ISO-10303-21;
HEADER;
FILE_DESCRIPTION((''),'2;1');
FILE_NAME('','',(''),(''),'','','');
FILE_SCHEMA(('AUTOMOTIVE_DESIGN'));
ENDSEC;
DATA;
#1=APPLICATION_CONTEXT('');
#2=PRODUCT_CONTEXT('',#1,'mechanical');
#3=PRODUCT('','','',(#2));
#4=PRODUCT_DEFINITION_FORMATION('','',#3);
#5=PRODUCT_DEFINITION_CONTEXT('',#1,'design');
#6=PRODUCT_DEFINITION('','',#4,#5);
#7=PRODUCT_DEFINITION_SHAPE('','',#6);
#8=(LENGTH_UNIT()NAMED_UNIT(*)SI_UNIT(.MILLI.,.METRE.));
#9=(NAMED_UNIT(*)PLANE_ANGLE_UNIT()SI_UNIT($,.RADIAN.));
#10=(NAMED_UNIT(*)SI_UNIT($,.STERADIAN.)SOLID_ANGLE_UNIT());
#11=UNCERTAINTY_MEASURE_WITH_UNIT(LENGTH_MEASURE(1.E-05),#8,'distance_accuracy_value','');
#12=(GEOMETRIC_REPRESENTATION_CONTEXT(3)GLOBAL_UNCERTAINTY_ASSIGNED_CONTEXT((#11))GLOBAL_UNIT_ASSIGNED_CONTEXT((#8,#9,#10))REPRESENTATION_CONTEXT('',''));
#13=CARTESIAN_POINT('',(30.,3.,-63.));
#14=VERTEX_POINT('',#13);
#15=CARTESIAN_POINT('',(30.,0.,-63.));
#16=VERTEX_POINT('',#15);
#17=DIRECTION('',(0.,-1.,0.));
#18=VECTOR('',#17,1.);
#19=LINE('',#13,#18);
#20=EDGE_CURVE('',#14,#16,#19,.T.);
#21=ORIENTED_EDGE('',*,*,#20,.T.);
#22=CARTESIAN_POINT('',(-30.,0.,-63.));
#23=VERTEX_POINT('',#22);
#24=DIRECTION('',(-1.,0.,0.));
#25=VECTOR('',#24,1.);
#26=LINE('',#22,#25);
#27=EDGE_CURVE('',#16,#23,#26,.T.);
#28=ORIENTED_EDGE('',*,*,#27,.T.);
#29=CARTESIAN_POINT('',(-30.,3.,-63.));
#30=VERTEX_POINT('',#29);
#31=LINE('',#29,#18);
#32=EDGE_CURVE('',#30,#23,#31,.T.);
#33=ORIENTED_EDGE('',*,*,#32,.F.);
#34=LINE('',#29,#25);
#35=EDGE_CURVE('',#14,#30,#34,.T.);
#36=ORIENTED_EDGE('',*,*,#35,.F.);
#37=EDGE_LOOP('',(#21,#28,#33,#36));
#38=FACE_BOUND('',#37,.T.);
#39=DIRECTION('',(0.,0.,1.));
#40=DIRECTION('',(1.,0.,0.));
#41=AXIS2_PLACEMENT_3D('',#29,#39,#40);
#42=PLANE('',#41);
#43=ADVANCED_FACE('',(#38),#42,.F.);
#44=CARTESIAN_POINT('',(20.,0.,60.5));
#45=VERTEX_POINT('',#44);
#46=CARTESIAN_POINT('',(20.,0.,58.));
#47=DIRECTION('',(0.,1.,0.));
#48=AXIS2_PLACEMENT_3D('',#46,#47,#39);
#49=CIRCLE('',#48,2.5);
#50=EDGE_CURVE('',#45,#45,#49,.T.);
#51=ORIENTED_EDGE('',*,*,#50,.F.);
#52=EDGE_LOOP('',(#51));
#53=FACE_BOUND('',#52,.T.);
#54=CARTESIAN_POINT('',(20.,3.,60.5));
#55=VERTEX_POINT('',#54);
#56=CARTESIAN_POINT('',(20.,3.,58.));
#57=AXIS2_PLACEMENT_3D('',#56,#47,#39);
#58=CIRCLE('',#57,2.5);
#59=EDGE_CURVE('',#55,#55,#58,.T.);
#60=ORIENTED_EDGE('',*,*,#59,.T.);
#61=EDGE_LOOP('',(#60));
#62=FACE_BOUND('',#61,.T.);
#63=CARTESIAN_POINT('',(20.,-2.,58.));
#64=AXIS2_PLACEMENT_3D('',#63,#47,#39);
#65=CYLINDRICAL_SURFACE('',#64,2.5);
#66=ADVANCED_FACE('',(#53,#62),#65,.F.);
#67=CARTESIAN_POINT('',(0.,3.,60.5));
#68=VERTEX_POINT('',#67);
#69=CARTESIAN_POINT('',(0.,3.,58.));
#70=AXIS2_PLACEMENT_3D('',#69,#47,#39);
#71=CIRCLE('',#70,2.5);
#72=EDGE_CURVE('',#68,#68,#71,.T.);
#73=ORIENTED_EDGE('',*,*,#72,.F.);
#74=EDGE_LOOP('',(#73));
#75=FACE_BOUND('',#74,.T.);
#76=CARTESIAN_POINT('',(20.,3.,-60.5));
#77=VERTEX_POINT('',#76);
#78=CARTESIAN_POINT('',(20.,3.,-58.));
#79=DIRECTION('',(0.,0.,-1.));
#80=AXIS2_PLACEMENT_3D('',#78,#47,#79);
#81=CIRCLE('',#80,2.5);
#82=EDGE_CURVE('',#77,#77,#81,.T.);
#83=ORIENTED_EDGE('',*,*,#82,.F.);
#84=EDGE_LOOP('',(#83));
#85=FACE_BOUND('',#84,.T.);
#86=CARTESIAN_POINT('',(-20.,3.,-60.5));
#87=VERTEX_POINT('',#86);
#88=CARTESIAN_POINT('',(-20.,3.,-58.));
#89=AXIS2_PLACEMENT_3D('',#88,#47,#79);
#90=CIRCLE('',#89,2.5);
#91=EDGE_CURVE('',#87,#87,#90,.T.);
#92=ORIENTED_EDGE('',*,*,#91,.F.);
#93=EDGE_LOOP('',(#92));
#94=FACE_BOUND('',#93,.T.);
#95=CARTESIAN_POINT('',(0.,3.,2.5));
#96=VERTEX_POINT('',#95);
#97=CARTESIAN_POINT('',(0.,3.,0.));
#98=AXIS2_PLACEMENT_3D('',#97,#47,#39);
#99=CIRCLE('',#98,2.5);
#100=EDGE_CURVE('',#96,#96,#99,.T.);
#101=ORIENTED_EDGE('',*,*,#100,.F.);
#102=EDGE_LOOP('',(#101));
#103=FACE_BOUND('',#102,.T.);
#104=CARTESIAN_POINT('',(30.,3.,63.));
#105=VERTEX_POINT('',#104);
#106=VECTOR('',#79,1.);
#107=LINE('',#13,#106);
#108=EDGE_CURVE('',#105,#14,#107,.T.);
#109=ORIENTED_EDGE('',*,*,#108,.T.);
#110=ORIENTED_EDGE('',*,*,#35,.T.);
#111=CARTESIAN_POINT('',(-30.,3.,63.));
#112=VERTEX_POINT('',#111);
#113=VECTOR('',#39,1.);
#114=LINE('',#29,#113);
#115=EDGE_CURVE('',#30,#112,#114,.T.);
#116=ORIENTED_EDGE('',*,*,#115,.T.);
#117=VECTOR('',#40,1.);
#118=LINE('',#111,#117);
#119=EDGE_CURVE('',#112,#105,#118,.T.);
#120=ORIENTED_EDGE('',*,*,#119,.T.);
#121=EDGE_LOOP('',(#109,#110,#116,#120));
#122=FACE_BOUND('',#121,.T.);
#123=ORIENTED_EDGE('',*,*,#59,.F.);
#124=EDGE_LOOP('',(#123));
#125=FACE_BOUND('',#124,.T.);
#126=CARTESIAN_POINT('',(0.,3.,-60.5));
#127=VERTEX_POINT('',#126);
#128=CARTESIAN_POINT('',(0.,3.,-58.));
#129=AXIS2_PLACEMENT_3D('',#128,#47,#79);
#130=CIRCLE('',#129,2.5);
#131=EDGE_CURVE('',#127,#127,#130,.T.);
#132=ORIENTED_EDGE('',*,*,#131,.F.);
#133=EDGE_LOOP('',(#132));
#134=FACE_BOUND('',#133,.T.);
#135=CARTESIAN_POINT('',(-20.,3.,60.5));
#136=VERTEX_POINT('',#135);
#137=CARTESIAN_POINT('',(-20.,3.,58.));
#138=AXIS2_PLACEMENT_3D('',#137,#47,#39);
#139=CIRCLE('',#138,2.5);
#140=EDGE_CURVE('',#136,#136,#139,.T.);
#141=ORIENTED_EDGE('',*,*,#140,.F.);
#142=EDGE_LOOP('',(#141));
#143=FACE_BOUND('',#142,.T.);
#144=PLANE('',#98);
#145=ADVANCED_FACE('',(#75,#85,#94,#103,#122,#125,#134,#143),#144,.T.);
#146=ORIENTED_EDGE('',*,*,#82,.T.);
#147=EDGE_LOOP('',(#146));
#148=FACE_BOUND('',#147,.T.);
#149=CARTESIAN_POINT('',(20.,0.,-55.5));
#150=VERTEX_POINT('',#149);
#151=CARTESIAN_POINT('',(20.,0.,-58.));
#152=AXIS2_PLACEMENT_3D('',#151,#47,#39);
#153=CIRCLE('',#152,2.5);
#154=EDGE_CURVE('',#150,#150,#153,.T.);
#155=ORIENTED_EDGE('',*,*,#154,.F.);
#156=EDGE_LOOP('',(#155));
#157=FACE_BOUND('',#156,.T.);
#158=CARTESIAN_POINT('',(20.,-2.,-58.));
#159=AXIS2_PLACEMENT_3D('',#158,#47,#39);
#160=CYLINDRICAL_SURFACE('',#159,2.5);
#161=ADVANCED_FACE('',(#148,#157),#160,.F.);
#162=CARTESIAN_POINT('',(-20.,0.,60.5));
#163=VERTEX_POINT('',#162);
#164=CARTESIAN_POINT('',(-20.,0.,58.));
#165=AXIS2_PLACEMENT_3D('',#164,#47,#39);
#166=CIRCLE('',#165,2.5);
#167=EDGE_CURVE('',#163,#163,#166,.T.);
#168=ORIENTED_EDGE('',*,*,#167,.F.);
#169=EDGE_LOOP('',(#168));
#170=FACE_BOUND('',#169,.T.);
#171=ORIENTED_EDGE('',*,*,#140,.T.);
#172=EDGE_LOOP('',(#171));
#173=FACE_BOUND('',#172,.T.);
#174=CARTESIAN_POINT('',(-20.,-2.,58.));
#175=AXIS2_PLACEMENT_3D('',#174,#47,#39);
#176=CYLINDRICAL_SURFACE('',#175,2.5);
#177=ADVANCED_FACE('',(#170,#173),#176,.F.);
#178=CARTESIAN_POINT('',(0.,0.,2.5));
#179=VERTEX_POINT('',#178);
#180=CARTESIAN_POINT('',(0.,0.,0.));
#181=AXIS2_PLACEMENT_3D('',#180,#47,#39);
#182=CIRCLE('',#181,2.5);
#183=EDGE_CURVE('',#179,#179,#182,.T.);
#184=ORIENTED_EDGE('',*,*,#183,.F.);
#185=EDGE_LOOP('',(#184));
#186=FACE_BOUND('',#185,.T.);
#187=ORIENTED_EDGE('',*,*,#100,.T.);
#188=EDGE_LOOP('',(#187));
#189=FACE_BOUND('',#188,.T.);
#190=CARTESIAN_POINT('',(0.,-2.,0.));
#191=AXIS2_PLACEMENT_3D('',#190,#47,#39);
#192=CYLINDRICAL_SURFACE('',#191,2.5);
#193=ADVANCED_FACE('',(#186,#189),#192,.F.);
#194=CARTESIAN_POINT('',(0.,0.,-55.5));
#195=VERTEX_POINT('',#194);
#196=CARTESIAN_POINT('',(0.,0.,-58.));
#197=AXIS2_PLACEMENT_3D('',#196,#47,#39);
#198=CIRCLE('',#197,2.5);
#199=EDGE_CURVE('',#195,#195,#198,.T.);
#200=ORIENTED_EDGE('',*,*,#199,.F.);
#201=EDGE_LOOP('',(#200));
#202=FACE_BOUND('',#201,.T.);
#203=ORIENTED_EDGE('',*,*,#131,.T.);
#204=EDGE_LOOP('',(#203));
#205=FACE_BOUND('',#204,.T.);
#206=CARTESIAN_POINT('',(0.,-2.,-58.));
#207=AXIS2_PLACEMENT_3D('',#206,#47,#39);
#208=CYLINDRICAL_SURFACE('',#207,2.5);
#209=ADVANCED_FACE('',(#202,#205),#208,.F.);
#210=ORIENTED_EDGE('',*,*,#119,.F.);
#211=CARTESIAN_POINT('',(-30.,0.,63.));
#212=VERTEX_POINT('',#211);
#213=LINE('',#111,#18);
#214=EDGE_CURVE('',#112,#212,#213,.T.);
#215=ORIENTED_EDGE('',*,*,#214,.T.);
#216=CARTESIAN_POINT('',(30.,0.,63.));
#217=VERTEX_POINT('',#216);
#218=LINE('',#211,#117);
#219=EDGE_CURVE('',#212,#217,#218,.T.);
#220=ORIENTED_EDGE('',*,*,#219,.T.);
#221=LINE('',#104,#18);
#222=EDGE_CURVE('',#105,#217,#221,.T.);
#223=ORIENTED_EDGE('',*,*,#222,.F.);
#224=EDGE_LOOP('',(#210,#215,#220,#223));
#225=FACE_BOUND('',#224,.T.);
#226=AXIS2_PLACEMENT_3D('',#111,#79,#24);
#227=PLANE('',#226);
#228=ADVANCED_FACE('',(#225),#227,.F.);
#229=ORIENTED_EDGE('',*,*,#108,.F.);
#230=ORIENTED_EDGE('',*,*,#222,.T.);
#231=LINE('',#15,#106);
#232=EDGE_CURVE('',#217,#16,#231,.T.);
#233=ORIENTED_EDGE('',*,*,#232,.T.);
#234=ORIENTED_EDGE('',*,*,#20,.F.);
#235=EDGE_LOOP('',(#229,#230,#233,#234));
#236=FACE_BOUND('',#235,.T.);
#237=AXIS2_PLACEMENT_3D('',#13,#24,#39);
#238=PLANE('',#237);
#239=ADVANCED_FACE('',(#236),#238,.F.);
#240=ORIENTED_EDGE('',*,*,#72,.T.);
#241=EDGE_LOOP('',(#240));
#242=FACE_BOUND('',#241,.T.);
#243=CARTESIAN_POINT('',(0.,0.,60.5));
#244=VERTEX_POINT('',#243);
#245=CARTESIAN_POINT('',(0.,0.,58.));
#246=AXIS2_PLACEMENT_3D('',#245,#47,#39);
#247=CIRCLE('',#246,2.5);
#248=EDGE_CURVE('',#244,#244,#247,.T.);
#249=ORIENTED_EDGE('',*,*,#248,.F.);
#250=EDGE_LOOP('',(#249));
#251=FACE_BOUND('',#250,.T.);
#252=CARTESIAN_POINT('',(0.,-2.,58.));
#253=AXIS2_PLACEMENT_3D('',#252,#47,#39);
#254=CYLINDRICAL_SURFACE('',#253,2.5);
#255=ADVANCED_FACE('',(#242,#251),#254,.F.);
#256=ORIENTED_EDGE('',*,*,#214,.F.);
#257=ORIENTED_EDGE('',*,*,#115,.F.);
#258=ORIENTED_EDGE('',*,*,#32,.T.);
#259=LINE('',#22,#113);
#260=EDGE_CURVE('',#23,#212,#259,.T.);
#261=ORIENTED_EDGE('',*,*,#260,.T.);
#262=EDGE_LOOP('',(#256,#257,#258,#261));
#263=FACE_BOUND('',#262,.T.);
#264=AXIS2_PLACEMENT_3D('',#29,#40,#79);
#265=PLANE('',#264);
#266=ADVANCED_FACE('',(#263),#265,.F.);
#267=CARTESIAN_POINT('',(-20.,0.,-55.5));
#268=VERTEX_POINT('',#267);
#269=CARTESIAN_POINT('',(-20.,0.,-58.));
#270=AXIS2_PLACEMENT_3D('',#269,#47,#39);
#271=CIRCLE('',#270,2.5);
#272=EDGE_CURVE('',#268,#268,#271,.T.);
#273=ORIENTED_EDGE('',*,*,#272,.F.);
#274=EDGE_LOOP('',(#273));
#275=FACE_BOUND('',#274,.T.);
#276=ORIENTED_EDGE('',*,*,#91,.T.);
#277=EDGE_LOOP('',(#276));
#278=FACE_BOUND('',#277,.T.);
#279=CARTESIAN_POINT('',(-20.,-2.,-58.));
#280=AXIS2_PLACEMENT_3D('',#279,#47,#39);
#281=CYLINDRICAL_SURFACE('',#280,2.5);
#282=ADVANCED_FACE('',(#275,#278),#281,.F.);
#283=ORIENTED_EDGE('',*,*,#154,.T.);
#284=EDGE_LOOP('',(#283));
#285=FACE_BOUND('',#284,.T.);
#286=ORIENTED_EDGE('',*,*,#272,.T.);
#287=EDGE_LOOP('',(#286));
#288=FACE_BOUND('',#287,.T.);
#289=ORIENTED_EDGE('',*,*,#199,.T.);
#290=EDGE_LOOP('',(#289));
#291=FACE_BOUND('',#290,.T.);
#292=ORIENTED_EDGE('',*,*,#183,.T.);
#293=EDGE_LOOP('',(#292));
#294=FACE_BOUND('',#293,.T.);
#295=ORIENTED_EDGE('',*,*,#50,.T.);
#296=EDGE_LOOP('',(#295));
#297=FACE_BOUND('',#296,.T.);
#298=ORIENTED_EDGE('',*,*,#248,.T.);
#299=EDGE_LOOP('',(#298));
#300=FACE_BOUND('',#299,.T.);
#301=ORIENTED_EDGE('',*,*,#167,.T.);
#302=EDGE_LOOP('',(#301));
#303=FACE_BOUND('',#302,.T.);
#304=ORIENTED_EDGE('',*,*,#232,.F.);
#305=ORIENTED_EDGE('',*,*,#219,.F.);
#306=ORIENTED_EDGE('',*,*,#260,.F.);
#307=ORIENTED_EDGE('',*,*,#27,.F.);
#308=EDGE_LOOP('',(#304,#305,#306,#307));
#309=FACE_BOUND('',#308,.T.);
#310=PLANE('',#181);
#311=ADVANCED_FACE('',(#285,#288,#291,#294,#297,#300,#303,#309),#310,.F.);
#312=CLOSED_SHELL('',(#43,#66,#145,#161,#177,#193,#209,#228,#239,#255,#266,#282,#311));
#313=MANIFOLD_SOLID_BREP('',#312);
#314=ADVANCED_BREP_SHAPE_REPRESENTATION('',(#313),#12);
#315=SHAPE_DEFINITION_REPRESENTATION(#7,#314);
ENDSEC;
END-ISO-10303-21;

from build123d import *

# Parameters (mm, degrees)
SKETCH1_W           = 60
SKETCH1_H           = 126
BOSS_EXTRUDE1_DEPTH = 3
SKETCH2_R           = 2.5
CUT_EXTRUDE1_DEPTH  = 5


with BuildPart() as part:
    # Sketch1 → Boss-Extrude1 (new body)
    with BuildSketch(Plane(origin=(0, 0, 0), x_dir=(1, 0, 0), z_dir=(0, 1, 0))):
        Rectangle(SKETCH1_W, SKETCH1_H)
    extrude(amount=BOSS_EXTRUDE1_DEPTH)

    # Sketch2 → Cut-Extrude1 (cut)
    with BuildSketch(Plane(origin=(0, 3, 0), x_dir=(1, 0, 0), z_dir=(0, 1, 0))):
        with Locations((0, -58)):
            Circle(SKETCH2_R)
        with Locations((20, -58)):
            Circle(SKETCH2_R)
        with Locations((-20, -58)):
            Circle(SKETCH2_R)
        with Locations((20, 58)):
            Circle(SKETCH2_R)
        with Locations((0, 58)):
            Circle(SKETCH2_R)
        with Locations((-20, 58)):
            Circle(SKETCH2_R)
        Circle(SKETCH2_R)
    extrude(amount=-CUT_EXTRUDE1_DEPTH, mode=Mode.SUBTRACT)


solid = part.part
